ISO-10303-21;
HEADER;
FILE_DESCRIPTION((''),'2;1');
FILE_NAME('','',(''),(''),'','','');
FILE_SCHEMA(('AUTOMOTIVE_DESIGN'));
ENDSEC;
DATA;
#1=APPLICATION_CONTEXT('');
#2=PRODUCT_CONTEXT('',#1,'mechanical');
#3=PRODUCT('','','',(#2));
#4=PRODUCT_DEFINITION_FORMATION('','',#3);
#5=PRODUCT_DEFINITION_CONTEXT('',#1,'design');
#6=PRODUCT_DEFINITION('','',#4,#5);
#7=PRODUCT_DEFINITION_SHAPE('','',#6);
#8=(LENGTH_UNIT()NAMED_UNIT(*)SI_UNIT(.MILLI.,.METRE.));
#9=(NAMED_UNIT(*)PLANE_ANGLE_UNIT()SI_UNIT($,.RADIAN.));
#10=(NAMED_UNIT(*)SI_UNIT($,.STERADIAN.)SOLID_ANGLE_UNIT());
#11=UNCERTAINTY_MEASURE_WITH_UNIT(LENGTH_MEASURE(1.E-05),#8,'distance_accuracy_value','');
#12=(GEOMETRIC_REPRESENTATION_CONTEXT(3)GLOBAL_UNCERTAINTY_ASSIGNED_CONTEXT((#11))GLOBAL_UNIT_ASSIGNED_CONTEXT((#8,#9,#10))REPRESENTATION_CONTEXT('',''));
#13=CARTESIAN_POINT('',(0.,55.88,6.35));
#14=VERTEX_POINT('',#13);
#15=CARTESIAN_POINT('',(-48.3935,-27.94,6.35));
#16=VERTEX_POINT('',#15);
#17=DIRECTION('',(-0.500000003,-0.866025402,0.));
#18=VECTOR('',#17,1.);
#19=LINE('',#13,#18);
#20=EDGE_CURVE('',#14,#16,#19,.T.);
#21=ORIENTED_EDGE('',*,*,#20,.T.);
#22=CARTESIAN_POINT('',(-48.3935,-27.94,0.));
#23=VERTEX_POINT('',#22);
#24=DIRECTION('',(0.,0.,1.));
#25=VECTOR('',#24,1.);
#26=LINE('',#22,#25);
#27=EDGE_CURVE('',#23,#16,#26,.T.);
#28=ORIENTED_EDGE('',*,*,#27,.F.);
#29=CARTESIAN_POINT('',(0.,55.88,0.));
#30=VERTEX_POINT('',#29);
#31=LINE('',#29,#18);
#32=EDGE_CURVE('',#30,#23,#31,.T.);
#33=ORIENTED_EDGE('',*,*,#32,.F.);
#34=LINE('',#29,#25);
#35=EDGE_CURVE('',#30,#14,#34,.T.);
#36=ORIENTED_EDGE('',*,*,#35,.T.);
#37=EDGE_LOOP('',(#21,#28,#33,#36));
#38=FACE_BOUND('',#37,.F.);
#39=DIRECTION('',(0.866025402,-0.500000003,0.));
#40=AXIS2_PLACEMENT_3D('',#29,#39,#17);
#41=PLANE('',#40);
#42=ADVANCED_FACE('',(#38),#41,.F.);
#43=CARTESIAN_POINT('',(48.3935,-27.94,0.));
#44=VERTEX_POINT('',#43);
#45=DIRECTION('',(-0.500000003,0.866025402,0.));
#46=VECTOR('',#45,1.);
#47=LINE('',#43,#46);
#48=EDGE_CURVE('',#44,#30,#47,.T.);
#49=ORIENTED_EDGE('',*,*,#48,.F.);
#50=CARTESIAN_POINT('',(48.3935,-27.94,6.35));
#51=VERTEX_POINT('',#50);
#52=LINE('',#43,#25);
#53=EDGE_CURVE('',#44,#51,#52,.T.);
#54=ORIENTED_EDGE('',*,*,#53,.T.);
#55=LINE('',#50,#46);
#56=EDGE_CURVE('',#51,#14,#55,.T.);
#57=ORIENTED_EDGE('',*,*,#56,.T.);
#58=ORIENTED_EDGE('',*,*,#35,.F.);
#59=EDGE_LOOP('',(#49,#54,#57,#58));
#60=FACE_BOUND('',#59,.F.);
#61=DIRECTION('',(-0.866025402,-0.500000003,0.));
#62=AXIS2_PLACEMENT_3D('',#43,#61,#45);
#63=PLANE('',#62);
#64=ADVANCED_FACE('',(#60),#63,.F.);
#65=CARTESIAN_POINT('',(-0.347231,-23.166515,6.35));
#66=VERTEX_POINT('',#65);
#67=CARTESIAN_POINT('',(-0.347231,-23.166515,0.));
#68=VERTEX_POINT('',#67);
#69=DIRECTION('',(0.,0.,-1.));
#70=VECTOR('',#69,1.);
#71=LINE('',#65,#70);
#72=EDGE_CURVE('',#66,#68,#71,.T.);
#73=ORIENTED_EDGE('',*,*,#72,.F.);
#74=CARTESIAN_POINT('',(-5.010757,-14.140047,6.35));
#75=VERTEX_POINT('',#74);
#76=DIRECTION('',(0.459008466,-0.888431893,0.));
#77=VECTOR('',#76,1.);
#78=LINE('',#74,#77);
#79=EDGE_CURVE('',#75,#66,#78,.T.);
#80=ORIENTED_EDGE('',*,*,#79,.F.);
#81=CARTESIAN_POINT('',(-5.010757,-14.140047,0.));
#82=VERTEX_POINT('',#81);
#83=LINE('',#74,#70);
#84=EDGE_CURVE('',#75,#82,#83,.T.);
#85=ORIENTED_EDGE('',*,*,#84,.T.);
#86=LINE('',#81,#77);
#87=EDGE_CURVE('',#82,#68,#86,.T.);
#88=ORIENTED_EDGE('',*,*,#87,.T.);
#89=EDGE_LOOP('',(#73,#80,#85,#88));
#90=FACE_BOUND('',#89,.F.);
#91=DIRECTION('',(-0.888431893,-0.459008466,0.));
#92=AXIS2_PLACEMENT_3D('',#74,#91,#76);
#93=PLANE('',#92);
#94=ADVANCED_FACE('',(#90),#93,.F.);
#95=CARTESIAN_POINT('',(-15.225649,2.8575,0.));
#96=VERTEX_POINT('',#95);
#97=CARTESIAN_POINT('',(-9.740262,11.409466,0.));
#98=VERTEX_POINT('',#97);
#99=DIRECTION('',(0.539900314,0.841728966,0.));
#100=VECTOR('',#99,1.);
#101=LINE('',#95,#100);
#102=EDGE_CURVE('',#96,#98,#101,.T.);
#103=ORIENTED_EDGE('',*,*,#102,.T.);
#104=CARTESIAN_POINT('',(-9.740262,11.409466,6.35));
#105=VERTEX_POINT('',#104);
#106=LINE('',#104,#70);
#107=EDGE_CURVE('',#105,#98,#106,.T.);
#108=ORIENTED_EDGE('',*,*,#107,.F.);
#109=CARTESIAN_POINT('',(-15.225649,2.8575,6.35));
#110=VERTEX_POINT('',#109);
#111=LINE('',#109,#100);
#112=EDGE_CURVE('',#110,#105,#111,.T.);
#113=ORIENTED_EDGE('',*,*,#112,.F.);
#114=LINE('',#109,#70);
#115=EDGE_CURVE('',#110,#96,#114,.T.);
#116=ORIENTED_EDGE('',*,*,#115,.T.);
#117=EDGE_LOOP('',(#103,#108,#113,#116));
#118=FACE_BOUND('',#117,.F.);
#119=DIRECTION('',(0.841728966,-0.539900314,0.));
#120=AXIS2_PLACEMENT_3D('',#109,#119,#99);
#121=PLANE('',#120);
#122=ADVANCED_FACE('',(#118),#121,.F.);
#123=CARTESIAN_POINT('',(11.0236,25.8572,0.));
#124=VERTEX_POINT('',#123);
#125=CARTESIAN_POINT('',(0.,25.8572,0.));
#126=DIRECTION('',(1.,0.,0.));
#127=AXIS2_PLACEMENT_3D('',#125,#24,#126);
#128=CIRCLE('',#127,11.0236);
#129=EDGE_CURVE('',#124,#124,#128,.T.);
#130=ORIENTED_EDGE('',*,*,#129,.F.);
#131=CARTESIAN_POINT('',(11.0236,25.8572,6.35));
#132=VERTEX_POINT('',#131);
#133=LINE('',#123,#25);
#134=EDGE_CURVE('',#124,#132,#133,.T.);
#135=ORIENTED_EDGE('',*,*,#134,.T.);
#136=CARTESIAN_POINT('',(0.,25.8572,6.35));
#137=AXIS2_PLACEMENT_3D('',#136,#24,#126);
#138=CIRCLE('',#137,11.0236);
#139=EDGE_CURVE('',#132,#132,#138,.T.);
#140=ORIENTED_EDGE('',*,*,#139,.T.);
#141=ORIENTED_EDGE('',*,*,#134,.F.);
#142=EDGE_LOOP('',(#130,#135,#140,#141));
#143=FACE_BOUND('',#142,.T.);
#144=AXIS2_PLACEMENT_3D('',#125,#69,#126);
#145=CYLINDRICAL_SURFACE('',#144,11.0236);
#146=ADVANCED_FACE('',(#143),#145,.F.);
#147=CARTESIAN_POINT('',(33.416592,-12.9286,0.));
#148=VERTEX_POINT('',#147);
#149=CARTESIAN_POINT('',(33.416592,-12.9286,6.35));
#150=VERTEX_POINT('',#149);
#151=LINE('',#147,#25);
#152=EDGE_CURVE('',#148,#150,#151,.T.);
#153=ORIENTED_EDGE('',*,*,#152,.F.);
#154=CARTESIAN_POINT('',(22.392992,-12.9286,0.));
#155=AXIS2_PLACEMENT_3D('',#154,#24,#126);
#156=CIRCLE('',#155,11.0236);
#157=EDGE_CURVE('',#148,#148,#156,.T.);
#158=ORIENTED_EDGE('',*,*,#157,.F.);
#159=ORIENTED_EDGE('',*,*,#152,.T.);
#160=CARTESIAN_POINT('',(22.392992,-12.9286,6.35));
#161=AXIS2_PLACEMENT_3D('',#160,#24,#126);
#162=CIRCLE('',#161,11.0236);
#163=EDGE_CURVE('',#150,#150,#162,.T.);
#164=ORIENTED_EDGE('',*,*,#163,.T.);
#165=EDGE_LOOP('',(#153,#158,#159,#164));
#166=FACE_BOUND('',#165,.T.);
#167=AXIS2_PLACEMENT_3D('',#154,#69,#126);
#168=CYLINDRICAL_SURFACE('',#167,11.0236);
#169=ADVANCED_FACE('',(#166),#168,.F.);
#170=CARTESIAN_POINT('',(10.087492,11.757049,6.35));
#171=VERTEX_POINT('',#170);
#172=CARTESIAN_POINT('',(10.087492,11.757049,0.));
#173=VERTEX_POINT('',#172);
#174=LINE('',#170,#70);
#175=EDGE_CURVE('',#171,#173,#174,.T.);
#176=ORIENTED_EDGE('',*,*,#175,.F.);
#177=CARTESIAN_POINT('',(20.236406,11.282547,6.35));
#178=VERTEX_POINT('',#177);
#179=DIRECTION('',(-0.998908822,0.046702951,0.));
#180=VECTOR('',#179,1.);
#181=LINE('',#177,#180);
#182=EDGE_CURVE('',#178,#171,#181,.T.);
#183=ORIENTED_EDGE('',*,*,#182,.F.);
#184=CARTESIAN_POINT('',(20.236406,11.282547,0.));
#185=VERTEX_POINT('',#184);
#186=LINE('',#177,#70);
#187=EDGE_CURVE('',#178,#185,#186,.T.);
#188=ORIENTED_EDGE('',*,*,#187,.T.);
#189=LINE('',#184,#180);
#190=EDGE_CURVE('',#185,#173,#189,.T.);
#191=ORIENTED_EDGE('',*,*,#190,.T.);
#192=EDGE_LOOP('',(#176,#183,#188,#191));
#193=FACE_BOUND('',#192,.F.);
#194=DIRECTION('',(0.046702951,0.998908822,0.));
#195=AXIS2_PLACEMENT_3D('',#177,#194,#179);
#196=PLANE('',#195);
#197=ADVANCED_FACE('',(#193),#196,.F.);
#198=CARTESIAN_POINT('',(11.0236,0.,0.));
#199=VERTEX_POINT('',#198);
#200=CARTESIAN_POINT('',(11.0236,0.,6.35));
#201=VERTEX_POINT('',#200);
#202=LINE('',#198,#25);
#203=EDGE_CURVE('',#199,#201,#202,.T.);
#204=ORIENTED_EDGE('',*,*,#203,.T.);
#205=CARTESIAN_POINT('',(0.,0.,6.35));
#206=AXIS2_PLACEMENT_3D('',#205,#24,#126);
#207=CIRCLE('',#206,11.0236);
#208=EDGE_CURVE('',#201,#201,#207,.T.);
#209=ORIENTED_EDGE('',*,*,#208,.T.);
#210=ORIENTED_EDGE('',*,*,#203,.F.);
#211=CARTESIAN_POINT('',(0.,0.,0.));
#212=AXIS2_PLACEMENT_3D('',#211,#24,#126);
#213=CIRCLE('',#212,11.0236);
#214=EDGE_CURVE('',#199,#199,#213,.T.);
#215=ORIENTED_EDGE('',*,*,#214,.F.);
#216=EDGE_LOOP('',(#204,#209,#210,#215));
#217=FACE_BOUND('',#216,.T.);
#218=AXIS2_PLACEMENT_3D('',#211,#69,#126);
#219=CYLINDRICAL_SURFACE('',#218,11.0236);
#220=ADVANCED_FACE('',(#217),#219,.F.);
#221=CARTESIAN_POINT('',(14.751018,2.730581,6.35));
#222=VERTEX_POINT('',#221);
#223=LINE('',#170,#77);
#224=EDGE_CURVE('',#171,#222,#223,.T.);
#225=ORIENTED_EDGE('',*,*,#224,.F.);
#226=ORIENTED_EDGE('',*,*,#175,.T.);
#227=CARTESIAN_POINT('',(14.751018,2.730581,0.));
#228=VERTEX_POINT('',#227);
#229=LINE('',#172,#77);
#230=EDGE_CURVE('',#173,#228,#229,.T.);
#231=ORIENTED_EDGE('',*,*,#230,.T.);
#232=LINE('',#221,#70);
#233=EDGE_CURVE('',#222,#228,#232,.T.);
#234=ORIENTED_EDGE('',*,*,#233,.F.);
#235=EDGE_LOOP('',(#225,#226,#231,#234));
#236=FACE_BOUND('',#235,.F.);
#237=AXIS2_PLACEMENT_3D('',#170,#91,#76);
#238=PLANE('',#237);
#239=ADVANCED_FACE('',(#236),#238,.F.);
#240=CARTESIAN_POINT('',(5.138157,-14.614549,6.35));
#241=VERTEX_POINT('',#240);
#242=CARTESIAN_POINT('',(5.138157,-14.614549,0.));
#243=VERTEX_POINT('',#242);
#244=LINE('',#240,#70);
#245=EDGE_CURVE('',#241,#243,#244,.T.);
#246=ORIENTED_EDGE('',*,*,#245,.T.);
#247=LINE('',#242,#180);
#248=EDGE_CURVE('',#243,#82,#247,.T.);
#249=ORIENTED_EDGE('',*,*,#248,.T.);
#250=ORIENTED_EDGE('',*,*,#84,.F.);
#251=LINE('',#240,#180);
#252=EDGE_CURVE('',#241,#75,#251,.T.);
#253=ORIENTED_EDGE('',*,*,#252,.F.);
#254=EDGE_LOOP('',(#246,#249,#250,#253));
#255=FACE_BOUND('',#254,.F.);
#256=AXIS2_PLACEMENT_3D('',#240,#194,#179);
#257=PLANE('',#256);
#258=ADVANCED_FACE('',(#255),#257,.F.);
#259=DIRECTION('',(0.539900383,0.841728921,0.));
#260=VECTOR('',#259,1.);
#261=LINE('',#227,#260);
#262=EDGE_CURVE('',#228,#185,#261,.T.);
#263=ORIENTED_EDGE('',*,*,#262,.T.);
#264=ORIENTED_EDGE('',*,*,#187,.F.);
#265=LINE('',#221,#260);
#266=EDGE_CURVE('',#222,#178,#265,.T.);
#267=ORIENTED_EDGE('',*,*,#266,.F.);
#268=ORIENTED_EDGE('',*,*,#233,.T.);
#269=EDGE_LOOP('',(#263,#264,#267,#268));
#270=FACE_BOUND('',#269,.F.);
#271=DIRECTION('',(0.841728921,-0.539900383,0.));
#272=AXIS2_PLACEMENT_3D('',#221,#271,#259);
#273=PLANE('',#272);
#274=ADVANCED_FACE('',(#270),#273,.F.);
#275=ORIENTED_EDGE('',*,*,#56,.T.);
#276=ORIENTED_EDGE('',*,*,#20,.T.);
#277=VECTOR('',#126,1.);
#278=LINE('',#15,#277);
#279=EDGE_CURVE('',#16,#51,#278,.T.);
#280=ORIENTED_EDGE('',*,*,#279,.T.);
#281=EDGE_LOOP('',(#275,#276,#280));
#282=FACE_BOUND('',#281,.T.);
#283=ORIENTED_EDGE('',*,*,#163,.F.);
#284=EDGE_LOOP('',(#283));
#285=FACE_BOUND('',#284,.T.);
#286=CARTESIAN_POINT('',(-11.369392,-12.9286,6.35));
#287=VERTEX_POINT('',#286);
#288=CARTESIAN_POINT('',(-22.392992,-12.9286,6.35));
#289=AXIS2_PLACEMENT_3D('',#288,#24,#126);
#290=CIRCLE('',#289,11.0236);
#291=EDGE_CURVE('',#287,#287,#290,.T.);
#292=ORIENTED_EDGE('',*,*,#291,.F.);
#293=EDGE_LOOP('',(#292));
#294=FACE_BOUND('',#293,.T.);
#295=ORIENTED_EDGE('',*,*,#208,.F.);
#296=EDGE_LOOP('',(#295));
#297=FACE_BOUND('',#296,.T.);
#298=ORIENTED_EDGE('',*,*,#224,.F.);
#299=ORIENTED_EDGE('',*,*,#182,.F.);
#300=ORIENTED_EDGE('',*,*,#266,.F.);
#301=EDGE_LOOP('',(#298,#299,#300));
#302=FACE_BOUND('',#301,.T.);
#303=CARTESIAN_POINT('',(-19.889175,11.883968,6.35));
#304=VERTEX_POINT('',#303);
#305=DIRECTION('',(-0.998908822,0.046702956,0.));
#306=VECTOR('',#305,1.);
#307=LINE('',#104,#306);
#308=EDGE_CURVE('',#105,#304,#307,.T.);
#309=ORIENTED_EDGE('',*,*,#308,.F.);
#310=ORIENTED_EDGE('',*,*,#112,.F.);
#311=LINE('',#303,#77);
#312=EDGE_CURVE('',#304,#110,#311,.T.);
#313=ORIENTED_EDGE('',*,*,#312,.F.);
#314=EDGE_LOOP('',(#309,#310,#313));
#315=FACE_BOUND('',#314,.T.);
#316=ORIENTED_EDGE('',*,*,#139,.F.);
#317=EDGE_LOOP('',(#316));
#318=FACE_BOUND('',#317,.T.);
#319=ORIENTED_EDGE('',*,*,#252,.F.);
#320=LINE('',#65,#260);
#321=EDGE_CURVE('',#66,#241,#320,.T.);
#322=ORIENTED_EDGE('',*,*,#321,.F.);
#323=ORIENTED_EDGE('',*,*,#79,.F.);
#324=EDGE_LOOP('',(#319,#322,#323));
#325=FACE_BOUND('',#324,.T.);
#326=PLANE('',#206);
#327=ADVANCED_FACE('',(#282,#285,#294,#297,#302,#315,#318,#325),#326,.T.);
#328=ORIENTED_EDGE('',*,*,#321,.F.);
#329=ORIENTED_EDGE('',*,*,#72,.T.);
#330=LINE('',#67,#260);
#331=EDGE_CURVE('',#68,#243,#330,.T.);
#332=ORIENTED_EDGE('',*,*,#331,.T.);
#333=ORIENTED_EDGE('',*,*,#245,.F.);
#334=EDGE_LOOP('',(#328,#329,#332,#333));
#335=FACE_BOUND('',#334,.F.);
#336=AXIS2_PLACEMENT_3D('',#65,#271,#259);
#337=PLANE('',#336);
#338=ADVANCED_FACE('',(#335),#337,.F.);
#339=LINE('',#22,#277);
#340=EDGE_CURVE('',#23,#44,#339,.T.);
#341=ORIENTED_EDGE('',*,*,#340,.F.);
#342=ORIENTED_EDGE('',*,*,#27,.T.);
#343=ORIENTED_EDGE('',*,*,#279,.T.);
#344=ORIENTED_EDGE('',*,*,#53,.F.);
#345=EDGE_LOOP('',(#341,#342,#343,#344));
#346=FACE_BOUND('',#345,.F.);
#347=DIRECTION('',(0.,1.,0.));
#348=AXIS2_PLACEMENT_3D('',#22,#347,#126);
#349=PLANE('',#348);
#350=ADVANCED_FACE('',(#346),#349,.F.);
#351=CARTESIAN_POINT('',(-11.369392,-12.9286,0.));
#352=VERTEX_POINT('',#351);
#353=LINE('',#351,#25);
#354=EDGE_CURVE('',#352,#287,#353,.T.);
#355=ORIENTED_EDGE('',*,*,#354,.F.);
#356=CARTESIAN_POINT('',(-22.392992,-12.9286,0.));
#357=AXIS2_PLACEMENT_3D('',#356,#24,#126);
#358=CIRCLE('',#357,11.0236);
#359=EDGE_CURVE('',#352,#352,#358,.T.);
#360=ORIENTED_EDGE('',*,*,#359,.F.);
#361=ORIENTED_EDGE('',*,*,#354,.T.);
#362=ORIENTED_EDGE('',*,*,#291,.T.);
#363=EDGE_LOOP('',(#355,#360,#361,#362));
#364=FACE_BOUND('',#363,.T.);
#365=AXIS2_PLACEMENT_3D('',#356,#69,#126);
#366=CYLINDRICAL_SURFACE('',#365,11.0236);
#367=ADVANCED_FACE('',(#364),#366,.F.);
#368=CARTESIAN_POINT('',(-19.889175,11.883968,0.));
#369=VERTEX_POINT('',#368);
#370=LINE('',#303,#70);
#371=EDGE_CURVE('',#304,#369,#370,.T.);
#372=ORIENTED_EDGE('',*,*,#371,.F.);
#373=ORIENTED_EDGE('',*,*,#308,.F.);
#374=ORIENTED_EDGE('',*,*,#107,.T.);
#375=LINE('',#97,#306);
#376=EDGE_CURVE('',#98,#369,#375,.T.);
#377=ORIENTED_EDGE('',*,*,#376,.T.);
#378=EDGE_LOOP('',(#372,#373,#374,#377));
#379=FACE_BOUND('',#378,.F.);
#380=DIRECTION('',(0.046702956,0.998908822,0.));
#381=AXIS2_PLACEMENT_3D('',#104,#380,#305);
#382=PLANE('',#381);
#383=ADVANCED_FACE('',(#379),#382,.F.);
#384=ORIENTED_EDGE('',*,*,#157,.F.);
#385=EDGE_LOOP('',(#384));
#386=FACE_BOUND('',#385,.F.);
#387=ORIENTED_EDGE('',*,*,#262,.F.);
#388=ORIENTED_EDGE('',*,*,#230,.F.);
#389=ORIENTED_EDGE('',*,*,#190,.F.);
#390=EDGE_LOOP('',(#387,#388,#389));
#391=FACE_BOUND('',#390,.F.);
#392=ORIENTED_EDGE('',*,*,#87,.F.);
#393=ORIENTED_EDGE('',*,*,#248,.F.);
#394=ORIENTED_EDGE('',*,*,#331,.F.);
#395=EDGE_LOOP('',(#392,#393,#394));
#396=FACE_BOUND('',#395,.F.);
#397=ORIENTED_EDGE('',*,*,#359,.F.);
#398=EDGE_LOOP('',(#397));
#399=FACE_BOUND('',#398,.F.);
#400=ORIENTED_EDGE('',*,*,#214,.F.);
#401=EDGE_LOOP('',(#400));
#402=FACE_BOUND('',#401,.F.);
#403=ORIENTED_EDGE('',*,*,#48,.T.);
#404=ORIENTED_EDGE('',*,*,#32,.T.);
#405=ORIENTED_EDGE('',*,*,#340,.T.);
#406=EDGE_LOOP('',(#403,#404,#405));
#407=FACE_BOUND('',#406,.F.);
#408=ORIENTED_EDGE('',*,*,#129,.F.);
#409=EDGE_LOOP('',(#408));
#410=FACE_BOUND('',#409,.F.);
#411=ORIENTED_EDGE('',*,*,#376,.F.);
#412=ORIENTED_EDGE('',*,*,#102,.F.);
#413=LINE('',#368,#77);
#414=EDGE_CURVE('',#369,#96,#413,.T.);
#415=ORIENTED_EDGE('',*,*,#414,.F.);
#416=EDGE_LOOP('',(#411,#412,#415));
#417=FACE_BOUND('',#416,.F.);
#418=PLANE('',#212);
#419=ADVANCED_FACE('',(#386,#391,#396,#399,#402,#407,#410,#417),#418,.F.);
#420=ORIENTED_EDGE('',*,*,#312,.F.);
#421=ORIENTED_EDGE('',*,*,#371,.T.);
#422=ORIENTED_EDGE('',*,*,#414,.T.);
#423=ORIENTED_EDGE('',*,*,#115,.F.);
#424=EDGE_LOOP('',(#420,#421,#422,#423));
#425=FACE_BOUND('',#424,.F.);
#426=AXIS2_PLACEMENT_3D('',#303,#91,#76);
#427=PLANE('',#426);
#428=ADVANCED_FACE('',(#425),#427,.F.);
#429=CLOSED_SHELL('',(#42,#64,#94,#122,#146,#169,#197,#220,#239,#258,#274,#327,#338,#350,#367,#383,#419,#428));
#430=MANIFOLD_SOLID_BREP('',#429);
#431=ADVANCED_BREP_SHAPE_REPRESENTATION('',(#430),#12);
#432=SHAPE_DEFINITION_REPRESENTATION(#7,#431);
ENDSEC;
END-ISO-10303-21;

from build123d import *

# Parameters (mm, degrees)
F0_R     = 11.0236
F1_DEPTH = 6.35
F3_DEPTH = 6.35


with BuildPart() as f1:
    # F0 (on Top) → F1 (new body)
    with BuildSketch(Plane.XY):
        Polygon((-48.3935, -27.94), (48.3935, -27.94), (0, 55.88), align=None)
        with Locations((-22.392992, -12.9286)):
            Circle(F0_R, mode=Mode.SUBTRACT)
        with Locations((22.392992, -12.9286)):
            Circle(F0_R, mode=Mode.SUBTRACT)
        Circle(F0_R, mode=Mode.SUBTRACT)
        with Locations((0, 25.8572)):
            Circle(F0_R, mode=Mode.SUBTRACT)
    extrude(amount=F1_DEPTH)

    # F2 (on face) → F3 (cut)
    with BuildSketch(Plane.XY.offset(6.35)):
        Polygon((-9.740262, 11.409466), (-19.889175, 11.883968), (-15.225649, 2.8575), align=None)
        Polygon((5.138157, -14.614549), (-5.010757, -14.140047), (-0.347231, -23.166515), align=None)
        Polygon((10.087492, 11.757049), (14.751018, 2.730581), (20.236406, 11.282547), align=None)
    extrude(amount=-F3_DEPTH, mode=Mode.SUBTRACT)


solid = f1.part
